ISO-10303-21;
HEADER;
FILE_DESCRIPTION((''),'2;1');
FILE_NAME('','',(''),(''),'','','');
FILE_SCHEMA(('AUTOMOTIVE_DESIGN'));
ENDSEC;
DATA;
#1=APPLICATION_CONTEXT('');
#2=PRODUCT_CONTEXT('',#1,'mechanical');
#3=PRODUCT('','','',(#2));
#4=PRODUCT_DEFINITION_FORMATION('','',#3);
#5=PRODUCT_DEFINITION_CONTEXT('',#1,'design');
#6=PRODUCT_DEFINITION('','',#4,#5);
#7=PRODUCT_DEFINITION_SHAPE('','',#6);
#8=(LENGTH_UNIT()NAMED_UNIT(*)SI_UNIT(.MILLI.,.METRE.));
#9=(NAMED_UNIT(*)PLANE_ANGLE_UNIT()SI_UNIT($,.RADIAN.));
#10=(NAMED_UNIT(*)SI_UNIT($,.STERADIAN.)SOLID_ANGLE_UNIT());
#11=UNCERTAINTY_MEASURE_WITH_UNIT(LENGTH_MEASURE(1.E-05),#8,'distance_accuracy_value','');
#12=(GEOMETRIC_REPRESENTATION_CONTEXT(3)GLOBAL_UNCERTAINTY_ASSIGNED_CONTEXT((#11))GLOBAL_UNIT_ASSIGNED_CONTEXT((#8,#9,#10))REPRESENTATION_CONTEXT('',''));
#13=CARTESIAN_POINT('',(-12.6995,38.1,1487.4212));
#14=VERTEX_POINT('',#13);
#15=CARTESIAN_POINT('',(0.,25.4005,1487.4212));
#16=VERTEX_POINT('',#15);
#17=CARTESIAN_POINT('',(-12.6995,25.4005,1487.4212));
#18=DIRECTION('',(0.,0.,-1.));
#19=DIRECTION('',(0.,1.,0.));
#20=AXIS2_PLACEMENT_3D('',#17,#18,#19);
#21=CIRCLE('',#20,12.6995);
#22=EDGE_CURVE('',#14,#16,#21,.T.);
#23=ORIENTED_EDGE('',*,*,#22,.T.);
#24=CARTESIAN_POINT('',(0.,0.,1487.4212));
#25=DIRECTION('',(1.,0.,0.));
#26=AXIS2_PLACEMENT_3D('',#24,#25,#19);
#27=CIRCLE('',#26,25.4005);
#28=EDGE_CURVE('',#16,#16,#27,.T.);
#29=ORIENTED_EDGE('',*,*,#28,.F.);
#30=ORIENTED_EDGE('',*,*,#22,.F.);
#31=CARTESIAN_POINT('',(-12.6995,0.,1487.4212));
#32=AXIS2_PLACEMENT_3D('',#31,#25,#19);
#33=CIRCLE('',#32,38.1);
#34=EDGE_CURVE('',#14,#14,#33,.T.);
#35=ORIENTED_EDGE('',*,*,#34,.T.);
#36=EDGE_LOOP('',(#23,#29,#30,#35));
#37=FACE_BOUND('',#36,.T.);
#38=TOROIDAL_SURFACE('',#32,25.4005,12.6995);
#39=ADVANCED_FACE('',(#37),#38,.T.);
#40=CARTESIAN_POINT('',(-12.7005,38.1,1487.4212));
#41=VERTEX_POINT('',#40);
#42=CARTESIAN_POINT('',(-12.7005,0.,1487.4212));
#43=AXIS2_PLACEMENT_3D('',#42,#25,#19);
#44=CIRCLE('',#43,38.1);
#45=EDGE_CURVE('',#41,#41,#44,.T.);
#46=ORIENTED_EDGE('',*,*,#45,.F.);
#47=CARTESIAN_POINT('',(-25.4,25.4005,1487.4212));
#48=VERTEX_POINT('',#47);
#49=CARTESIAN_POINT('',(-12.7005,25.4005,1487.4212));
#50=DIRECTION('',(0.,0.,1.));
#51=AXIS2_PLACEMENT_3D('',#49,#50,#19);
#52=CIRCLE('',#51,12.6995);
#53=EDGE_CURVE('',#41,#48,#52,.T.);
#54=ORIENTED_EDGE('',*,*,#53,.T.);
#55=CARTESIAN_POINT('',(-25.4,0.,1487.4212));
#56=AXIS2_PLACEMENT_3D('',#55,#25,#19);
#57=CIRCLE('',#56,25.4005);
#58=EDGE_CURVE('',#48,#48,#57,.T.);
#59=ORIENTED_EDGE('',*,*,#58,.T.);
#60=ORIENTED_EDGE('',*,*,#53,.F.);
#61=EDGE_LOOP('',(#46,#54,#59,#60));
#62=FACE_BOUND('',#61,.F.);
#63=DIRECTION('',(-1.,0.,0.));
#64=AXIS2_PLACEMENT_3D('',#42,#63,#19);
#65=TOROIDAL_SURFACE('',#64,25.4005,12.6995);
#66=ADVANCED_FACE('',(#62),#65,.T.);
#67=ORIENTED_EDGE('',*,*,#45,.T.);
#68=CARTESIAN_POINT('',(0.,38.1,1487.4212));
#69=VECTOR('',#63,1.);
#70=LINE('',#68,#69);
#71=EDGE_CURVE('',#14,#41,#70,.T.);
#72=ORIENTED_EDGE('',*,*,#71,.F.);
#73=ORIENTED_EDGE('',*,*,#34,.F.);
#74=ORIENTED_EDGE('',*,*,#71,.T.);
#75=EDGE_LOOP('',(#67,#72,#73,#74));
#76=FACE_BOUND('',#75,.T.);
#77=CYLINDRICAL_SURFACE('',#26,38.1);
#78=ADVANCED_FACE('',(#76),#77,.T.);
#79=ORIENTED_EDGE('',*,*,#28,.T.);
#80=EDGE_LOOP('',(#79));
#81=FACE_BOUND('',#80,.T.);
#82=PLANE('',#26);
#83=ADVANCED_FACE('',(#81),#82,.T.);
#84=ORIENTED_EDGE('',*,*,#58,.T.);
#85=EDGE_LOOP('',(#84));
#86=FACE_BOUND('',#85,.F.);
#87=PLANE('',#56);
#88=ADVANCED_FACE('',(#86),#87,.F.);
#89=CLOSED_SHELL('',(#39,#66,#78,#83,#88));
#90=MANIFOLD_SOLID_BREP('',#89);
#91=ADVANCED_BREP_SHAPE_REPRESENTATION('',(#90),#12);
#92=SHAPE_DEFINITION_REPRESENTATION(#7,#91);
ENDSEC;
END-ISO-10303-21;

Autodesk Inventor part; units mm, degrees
ref_plane "YZ Plane" through (0, 0, 0) normal (1, 0, 0) x (0, 1, 0)
ref_plane "XZ Plane" through (0, 0, 0) normal (0, 1, 0) x (-1, 0, 0)
ref_plane "XY Plane" through (0, 0, 0) normal (0, 0, 1) x (1, 0, 0)
ref_plane "Work Plane1" through (199.3338, -160.5604, 1487.4212) normal (0, 0, -1) x (-1, 0, 0)
sketch "Sketch1" plane through (199.3338, -160.5604, 1487.4212) normal (0, 0, -1) x (-1, 0, 0)
  line L0 (-63.5, -25.4) -> (199.4935, -209.55) construction
  line L1 (199.4935, -209.55) -> (-326.4935, -209.55)
  line L2 (-63.5, -25.4) -> (199.4935, -209.55)
  line L3 (199.4935, -209.55) -> (-63.5, -209.55)
  point P0 (199.3338, 160.5604)
ref_plane "Work Plane2" through (0, 0, 1487.4212) normal (1, 0, 0) x (0, 1, 0)
sketch "Sketch4" plane through (0, 0, 1487.4212) normal (1, 0, 0) x (0, 1, 0)
  circle A0 centre (0, 0) radius 38.1
  point P0 (0, -1487.4212)
  dimension "d2" = 76.2
extrude "Extrusion1" add sketch "Sketch4" against normal blind 25.4
fillet "Fillet1" radius 12.7 2 edges at (-25.4, -38.1, 1487.4212) (0, -38.1, 1487.4212)
properties part number "Landing Gear Wheel" material "ABS Plastic"
